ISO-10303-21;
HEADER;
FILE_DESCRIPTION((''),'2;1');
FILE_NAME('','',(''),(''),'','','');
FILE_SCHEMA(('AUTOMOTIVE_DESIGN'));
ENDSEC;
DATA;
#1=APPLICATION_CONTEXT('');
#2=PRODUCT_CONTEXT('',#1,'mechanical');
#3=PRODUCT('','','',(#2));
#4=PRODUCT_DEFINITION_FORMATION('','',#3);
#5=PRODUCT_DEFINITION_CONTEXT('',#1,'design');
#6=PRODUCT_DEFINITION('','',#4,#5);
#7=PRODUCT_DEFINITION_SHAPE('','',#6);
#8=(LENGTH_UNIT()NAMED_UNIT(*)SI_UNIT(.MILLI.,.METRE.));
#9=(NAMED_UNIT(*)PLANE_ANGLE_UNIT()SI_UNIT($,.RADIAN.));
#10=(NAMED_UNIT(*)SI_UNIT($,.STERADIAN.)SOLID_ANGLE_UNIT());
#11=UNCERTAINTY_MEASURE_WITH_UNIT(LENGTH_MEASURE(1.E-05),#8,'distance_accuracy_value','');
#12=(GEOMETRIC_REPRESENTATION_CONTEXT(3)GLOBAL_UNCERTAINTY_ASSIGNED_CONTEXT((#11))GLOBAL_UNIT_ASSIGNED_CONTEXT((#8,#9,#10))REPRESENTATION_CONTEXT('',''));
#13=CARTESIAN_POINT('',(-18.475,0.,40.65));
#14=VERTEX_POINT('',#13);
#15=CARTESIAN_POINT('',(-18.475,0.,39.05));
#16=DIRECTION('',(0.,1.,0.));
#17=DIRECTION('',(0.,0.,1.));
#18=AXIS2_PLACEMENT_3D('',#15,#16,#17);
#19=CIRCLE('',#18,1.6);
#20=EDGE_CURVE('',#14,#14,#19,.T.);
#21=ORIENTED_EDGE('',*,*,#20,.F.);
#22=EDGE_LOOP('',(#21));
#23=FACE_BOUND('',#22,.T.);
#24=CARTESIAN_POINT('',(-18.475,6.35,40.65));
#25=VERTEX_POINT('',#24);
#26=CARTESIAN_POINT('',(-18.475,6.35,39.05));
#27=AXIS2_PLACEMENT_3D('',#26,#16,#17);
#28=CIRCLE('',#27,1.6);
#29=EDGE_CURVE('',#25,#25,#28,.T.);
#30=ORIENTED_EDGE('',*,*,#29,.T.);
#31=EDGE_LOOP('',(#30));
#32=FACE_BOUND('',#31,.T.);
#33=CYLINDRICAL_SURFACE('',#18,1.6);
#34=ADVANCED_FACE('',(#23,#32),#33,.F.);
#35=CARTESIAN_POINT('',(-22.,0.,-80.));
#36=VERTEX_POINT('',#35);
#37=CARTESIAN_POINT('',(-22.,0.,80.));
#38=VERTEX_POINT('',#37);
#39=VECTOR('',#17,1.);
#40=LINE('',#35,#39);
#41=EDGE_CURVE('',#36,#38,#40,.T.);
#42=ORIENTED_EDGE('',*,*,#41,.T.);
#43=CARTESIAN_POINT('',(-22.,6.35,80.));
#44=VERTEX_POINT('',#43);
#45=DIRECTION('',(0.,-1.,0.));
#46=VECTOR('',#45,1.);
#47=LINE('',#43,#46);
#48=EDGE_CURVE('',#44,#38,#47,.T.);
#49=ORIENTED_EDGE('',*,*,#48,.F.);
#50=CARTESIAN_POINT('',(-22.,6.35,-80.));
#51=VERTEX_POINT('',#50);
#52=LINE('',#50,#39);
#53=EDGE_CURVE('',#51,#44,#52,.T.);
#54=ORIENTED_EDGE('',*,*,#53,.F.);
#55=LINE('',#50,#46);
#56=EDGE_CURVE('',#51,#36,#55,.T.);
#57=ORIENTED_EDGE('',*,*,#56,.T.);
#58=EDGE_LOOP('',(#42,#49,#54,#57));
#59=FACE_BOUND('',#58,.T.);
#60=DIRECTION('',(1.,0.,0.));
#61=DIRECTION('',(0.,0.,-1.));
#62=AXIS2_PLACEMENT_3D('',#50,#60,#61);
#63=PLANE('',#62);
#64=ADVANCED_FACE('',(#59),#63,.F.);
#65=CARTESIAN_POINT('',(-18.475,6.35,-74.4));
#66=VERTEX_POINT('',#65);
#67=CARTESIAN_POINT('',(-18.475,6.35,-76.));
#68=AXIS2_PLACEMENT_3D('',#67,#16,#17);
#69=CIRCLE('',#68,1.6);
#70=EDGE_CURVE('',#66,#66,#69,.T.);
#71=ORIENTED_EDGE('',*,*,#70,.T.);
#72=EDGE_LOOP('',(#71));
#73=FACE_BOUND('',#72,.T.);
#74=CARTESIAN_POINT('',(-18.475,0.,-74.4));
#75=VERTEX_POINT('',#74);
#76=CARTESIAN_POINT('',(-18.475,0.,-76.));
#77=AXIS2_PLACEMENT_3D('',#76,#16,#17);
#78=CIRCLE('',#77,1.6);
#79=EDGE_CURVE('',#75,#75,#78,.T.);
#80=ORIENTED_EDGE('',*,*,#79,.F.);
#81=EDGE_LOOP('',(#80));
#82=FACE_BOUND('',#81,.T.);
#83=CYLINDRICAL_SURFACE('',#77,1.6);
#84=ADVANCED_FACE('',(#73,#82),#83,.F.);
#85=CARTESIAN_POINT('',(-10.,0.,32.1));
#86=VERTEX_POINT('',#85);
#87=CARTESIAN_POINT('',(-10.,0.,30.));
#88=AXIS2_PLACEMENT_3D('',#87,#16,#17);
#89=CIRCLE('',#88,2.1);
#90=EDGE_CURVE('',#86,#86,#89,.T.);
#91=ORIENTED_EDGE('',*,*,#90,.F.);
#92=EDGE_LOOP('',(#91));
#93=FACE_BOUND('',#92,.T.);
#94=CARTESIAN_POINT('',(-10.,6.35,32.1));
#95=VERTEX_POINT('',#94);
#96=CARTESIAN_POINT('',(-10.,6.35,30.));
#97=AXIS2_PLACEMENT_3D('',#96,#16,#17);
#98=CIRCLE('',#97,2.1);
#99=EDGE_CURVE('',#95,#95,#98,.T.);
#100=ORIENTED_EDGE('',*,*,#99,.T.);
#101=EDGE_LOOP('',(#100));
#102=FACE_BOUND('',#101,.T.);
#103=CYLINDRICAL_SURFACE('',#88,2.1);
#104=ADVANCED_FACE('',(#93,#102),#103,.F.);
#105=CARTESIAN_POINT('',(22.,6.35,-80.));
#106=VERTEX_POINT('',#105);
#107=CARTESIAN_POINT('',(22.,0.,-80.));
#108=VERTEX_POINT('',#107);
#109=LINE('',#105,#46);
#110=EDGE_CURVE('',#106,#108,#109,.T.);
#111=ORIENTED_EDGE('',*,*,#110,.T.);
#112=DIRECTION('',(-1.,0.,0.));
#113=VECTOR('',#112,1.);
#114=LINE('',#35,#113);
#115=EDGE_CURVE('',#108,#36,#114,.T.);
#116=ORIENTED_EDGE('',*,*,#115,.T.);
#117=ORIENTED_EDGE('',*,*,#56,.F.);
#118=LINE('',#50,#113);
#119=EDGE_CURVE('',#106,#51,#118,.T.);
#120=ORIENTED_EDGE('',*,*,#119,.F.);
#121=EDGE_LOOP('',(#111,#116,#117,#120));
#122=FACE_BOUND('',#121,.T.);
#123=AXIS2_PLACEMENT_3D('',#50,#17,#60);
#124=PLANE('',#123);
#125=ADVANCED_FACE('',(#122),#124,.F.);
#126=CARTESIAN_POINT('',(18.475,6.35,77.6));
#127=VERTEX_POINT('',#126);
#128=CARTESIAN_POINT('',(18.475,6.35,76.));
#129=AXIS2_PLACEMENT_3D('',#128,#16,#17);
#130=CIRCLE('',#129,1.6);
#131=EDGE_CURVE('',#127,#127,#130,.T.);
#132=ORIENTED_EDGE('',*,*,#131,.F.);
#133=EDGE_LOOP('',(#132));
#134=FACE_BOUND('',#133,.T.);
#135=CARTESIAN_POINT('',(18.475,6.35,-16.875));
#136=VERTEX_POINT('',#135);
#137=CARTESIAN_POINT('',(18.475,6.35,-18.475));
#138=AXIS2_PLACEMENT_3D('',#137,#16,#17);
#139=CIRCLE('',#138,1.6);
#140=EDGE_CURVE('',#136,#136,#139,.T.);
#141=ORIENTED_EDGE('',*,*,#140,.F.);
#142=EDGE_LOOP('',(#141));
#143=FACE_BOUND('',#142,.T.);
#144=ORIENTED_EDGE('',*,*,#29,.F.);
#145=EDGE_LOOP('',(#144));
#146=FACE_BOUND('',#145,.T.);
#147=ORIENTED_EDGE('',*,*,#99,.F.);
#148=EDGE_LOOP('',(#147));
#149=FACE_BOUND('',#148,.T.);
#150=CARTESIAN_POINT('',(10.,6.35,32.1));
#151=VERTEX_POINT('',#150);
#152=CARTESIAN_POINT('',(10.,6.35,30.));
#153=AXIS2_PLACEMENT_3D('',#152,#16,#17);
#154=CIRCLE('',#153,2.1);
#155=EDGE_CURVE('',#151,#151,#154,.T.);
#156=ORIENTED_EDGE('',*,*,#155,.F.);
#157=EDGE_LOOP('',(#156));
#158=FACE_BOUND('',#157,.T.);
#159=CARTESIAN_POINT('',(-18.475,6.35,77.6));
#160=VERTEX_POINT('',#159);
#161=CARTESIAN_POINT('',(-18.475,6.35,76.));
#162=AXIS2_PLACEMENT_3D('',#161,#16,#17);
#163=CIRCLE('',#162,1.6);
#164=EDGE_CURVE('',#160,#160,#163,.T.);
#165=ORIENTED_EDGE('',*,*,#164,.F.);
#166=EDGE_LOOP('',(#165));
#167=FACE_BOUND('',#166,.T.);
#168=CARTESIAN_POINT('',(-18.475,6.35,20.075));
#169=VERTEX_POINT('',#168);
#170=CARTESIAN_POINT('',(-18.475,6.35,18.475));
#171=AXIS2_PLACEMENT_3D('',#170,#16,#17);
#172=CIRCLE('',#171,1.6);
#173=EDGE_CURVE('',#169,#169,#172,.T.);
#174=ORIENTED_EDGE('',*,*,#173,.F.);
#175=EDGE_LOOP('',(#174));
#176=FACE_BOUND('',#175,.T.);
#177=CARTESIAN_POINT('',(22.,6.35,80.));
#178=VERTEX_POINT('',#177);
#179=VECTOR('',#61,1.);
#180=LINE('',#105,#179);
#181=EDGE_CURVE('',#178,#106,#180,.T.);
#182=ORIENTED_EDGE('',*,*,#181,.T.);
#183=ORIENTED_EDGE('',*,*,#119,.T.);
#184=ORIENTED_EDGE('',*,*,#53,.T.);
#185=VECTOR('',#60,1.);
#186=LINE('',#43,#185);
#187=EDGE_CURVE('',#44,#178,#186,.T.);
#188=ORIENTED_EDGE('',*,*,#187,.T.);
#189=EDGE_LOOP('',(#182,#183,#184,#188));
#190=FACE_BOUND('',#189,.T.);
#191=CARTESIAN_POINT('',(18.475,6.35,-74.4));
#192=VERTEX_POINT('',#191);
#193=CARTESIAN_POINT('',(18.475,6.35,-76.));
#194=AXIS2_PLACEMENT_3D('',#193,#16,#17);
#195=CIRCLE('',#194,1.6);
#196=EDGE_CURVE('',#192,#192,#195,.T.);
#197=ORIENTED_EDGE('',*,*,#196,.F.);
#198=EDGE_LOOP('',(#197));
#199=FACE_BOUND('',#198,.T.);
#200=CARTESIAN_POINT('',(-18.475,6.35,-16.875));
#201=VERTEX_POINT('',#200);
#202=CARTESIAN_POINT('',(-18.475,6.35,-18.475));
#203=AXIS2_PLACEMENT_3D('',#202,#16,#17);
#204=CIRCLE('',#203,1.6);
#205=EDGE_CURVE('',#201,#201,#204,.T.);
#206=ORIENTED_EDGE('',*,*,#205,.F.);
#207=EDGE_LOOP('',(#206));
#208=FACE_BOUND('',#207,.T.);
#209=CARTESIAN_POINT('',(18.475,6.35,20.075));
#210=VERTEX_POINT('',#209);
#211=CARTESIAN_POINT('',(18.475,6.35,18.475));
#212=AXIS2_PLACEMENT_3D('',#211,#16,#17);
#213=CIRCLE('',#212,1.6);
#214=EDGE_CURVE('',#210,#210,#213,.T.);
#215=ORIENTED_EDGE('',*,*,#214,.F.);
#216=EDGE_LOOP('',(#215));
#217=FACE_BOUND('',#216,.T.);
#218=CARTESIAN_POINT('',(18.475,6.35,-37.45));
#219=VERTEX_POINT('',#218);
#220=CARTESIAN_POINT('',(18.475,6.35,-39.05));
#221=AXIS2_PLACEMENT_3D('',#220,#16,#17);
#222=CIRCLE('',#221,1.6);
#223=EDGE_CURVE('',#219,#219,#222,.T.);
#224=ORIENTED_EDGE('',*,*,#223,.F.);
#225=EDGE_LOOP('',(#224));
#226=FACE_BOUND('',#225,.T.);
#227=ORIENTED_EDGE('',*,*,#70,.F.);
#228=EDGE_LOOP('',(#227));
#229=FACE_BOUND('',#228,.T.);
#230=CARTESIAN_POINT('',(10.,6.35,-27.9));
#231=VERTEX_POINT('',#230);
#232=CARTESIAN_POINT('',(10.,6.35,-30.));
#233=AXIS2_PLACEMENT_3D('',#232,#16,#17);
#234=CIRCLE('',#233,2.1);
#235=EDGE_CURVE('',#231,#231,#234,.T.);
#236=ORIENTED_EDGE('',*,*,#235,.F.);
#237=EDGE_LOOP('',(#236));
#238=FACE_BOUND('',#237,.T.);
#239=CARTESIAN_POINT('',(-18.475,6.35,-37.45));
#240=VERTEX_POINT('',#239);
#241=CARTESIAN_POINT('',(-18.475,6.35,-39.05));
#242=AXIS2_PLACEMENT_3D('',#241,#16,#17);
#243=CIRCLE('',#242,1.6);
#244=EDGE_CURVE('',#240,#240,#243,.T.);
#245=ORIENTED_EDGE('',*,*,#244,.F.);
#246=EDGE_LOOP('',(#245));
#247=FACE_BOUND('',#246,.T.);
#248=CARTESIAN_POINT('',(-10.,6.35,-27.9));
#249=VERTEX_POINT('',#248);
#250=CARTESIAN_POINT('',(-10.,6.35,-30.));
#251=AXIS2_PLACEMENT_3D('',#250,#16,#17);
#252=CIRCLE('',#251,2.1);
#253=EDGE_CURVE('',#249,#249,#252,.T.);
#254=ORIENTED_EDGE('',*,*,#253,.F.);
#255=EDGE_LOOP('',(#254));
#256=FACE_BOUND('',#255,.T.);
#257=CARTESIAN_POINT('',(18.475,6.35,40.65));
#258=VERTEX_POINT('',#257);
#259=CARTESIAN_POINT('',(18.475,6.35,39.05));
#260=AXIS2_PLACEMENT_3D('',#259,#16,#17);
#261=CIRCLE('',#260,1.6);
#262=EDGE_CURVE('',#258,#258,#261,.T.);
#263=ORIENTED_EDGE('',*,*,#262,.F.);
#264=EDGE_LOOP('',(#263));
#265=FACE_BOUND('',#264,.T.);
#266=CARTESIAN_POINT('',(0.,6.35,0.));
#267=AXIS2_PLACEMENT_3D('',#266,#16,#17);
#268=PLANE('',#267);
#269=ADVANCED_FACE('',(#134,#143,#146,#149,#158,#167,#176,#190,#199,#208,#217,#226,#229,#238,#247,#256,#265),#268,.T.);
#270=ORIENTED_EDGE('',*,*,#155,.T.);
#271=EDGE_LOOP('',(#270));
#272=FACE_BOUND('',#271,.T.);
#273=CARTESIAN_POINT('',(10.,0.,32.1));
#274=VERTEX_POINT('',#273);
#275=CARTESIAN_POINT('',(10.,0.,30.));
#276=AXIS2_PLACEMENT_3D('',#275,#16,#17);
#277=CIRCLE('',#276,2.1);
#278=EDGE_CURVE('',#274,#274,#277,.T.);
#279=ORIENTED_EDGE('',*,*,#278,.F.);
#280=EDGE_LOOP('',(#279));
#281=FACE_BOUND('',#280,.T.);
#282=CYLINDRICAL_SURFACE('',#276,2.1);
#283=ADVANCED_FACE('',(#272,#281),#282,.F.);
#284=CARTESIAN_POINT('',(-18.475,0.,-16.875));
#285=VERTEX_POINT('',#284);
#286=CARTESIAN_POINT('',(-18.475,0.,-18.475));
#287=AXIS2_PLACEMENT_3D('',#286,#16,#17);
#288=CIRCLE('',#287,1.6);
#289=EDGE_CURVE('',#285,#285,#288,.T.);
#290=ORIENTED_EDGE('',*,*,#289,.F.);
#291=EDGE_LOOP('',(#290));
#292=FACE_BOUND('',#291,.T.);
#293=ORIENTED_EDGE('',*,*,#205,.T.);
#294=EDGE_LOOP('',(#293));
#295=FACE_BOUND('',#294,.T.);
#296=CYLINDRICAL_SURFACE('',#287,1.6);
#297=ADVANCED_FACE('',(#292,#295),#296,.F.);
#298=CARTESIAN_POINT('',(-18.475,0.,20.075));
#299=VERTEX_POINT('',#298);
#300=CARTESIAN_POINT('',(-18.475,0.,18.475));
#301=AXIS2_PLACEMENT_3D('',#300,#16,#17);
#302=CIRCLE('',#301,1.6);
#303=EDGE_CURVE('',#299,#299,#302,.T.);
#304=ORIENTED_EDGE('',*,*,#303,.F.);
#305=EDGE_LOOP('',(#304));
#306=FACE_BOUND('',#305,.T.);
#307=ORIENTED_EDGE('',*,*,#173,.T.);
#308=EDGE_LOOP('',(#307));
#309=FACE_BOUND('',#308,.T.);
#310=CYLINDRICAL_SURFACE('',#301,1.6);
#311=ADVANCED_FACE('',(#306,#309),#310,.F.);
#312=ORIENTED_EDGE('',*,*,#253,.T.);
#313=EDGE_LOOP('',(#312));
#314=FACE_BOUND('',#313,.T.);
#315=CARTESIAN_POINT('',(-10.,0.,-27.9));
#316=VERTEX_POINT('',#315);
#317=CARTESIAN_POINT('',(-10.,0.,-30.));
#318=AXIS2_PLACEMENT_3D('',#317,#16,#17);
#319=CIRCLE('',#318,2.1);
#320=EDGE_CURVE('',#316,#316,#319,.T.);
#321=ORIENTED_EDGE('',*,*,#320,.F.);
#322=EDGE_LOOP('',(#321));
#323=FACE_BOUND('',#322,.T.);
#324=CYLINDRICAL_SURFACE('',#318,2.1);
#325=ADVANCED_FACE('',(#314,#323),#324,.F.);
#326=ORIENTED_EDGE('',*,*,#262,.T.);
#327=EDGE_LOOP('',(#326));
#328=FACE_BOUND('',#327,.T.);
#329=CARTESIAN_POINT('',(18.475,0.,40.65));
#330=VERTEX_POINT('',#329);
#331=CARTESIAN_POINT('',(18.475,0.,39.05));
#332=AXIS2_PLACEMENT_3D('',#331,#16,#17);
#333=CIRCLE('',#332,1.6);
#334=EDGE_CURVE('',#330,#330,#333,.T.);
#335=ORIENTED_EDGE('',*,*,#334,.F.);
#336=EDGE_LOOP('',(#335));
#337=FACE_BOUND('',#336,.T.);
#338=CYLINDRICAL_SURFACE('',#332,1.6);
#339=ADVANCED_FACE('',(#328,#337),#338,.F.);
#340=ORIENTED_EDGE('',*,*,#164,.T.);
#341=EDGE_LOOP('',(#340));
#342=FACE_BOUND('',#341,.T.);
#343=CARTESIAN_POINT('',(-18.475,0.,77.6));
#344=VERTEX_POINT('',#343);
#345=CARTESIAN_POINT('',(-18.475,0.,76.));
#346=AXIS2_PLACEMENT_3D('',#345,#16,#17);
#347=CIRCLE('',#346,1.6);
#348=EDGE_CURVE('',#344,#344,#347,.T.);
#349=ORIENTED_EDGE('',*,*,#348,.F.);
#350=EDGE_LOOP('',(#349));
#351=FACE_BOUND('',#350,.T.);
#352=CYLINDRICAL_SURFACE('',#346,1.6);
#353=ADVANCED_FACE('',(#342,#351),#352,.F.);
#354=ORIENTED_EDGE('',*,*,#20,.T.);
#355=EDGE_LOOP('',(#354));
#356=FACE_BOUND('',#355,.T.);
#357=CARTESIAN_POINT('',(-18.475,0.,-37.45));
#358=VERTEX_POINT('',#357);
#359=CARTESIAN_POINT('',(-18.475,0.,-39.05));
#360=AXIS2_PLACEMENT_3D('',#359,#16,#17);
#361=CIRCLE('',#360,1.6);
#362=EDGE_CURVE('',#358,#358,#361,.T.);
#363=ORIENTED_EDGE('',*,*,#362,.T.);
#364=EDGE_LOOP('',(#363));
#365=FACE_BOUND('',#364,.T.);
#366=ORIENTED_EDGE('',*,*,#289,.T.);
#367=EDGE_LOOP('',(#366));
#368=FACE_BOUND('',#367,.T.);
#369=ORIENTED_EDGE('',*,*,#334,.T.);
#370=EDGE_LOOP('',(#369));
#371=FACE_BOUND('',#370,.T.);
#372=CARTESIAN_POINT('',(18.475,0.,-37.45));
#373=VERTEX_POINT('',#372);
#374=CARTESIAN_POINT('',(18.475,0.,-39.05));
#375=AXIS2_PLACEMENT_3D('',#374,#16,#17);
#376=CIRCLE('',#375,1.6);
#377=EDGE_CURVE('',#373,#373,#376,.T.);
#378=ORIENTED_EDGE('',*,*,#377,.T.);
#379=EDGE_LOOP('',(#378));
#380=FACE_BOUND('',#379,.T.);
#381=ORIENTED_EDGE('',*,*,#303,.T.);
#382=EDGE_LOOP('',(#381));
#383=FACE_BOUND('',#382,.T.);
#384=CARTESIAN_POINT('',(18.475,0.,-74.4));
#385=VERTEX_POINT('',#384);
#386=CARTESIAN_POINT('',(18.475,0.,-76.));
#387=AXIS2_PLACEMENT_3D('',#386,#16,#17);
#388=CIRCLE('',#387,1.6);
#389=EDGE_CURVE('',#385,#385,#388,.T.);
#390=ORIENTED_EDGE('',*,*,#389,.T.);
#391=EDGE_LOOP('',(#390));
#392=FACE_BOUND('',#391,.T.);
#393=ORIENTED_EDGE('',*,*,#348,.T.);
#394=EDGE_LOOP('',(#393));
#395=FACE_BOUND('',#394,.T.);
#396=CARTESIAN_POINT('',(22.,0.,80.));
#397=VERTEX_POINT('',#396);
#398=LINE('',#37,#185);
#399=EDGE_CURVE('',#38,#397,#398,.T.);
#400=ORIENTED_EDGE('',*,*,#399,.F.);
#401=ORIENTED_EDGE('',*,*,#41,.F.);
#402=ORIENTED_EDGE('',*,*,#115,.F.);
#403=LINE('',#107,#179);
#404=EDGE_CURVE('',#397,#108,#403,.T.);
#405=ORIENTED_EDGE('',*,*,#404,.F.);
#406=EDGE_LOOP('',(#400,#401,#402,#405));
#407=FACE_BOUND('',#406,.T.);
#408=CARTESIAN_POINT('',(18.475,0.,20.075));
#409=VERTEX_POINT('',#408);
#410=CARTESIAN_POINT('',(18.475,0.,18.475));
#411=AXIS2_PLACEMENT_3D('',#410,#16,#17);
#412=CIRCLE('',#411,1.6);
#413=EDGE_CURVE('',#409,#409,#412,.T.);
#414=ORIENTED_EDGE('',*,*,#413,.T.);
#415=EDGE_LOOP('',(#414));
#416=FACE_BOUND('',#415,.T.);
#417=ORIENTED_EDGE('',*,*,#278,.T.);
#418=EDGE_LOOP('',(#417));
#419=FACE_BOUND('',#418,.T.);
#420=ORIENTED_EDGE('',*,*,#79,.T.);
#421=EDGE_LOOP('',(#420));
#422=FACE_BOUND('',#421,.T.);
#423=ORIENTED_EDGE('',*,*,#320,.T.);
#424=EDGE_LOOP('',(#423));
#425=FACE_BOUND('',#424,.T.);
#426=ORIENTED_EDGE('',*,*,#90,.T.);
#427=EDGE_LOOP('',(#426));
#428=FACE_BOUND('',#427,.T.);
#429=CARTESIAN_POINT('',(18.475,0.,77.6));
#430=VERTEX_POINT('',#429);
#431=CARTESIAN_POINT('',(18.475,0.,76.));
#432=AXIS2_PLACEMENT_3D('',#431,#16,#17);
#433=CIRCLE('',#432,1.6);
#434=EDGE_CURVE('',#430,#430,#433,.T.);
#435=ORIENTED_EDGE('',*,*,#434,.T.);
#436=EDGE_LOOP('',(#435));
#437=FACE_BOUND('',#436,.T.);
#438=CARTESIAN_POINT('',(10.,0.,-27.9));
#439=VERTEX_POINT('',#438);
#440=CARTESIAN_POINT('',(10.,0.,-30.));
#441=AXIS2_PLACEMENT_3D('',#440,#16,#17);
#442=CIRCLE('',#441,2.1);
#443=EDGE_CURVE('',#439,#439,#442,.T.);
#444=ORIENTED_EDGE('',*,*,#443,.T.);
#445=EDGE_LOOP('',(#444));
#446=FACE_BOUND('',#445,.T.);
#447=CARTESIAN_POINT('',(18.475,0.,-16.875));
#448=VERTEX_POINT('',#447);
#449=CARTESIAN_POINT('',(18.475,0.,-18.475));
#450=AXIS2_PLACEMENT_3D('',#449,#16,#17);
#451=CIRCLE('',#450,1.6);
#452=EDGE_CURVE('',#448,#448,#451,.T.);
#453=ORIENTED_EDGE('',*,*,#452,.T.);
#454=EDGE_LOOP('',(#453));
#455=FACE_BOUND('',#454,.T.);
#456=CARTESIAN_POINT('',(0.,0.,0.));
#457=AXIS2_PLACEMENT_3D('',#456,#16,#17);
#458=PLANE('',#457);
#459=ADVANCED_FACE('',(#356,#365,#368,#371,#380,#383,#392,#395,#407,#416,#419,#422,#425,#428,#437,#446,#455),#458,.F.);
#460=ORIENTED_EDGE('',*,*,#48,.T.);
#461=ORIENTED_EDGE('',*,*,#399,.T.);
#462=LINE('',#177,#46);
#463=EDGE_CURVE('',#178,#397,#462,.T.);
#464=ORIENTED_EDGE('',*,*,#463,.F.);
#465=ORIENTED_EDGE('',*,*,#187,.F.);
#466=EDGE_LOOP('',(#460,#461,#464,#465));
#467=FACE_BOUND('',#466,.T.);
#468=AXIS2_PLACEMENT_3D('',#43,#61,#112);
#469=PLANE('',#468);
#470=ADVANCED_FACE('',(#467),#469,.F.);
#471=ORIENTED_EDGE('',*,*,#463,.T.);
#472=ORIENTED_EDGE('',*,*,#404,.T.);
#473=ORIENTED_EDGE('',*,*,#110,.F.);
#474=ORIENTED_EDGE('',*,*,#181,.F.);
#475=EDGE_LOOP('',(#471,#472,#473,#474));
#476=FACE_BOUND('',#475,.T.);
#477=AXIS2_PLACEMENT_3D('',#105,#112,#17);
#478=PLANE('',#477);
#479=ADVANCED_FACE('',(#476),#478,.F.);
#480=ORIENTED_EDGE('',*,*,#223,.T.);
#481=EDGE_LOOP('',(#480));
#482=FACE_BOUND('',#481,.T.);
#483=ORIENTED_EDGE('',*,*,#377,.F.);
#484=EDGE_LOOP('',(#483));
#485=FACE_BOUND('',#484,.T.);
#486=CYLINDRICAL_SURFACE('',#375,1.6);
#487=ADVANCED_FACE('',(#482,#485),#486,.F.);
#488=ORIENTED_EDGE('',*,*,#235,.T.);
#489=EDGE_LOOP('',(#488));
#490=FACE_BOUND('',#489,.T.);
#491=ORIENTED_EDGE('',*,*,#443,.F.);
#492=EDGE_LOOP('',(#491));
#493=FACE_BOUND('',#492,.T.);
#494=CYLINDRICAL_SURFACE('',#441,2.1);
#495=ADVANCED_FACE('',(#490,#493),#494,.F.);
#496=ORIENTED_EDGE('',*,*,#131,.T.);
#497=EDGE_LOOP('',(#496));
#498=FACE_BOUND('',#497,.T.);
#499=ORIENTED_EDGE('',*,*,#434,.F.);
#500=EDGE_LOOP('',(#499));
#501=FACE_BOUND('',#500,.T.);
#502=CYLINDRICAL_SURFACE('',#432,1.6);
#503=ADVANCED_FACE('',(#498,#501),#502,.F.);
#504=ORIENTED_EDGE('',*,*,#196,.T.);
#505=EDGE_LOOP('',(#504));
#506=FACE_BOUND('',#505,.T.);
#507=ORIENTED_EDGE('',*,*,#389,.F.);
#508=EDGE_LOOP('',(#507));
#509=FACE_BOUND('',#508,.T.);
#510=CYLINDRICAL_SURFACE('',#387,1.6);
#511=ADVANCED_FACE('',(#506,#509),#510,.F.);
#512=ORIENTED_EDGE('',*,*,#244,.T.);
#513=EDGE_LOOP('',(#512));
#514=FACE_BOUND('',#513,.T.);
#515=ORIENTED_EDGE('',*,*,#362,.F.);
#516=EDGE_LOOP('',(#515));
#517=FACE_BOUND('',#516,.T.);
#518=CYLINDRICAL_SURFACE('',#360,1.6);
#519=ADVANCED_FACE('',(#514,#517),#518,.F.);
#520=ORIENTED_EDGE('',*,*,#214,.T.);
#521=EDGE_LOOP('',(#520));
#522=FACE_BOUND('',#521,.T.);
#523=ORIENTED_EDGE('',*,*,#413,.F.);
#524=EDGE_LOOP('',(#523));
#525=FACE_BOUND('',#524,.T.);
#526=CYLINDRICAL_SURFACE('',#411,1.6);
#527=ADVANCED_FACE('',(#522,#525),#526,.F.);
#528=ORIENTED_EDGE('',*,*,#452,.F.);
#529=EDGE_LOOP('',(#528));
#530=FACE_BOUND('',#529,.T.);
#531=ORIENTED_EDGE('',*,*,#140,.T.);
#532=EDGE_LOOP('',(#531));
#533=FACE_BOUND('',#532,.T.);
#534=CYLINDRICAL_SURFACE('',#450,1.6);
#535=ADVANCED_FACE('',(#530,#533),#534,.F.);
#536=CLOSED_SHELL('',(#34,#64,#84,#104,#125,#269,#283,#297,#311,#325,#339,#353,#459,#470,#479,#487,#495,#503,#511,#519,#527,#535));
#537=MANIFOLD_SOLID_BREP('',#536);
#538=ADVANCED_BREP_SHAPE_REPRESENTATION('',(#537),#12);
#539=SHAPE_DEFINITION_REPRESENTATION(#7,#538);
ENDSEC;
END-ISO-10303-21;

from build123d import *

# Parameters (mm, degrees)
SKETCH1_W           = 44
SKETCH1_H           = 160
BOSS_EXTRUDE1_DEPTH = 6.35
SKETCH2_R           = 1.6
CUT_EXTRUDE1_DEPTH  = 84.212514083
SKETCH3_R           = 2.1
CUT_EXTRUDE2_DEPTH  = 84.212514083


with BuildPart() as part:
    # Sketch1 → Boss-Extrude1 (new body)
    with BuildSketch(Plane(origin=(0, 0, 0), x_dir=(1, 0, 0), z_dir=(0, 1, 0))):
        Rectangle(SKETCH1_W, SKETCH1_H)
    extrude(amount=BOSS_EXTRUDE1_DEPTH)

    # Sketch2 → Cut-Extrude1 (cut, through all)
    with BuildSketch(Plane(origin=(0, 6.35, 0), x_dir=(1, 0, 0), z_dir=(0, 1, 0))):
        with Locations(Location((-18.475, 18.475, 0), (0, 0, 270))):
            Circle(SKETCH2_R)
        with Locations(Location((-18.475, -18.475, 0), (0, 0, 270))):
            Circle(SKETCH2_R)
        with Locations(Location((18.475, -18.475, 0), (0, 0, 270))):
            Circle(SKETCH2_R)
        with Locations(Location((18.475, 18.475, 0), (0, 0, 270))):
            Circle(SKETCH2_R)
        with Locations(Location((-18.475, 76, 0), (0, 0, 270))):
            Circle(SKETCH2_R)
        with Locations(Location((-18.475, 39.05, 0), (0, 0, 270))):
            Circle(SKETCH2_R)
        with Locations(Location((18.475, 39.05, 0), (0, 0, 270))):
            Circle(SKETCH2_R)
        with Locations(Location((18.475, 76, 0), (0, 0, 270))):
            Circle(SKETCH2_R)
        with Locations(Location((-18.475, -39.05, 0), (0, 0, 270))):
            Circle(SKETCH2_R)
        with Locations(Location((-18.475, -76, 0), (0, 0, 270))):
            Circle(SKETCH2_R)
        with Locations(Location((18.475, -76, 0), (0, 0, 270))):
            Circle(SKETCH2_R)
        with Locations(Location((18.475, -39.05, 0), (0, 0, 270))):
            Circle(SKETCH2_R)
    extrude(amount=-CUT_EXTRUDE1_DEPTH, mode=Mode.SUBTRACT)

    # Sketch3 → Cut-Extrude2 (cut, through all)
    with BuildSketch(Plane(origin=(0, 6.35, 0), x_dir=(1, 0, 0), z_dir=(0, 1, 0))):
        with Locations(Location((-10, 30, 0), (0, 0, 270))):
            Circle(SKETCH3_R)
        with Locations(Location((10, 30, 0), (0, 0, 270))):
            Circle(SKETCH3_R)
        with Locations(Location((-10, -30, 0), (0, 0, 270))):
            Circle(SKETCH3_R)
        with Locations(Location((10, -30, 0), (0, 0, 270))):
            Circle(SKETCH3_R)
    extrude(amount=-CUT_EXTRUDE2_DEPTH, mode=Mode.SUBTRACT)


solid = part.part
